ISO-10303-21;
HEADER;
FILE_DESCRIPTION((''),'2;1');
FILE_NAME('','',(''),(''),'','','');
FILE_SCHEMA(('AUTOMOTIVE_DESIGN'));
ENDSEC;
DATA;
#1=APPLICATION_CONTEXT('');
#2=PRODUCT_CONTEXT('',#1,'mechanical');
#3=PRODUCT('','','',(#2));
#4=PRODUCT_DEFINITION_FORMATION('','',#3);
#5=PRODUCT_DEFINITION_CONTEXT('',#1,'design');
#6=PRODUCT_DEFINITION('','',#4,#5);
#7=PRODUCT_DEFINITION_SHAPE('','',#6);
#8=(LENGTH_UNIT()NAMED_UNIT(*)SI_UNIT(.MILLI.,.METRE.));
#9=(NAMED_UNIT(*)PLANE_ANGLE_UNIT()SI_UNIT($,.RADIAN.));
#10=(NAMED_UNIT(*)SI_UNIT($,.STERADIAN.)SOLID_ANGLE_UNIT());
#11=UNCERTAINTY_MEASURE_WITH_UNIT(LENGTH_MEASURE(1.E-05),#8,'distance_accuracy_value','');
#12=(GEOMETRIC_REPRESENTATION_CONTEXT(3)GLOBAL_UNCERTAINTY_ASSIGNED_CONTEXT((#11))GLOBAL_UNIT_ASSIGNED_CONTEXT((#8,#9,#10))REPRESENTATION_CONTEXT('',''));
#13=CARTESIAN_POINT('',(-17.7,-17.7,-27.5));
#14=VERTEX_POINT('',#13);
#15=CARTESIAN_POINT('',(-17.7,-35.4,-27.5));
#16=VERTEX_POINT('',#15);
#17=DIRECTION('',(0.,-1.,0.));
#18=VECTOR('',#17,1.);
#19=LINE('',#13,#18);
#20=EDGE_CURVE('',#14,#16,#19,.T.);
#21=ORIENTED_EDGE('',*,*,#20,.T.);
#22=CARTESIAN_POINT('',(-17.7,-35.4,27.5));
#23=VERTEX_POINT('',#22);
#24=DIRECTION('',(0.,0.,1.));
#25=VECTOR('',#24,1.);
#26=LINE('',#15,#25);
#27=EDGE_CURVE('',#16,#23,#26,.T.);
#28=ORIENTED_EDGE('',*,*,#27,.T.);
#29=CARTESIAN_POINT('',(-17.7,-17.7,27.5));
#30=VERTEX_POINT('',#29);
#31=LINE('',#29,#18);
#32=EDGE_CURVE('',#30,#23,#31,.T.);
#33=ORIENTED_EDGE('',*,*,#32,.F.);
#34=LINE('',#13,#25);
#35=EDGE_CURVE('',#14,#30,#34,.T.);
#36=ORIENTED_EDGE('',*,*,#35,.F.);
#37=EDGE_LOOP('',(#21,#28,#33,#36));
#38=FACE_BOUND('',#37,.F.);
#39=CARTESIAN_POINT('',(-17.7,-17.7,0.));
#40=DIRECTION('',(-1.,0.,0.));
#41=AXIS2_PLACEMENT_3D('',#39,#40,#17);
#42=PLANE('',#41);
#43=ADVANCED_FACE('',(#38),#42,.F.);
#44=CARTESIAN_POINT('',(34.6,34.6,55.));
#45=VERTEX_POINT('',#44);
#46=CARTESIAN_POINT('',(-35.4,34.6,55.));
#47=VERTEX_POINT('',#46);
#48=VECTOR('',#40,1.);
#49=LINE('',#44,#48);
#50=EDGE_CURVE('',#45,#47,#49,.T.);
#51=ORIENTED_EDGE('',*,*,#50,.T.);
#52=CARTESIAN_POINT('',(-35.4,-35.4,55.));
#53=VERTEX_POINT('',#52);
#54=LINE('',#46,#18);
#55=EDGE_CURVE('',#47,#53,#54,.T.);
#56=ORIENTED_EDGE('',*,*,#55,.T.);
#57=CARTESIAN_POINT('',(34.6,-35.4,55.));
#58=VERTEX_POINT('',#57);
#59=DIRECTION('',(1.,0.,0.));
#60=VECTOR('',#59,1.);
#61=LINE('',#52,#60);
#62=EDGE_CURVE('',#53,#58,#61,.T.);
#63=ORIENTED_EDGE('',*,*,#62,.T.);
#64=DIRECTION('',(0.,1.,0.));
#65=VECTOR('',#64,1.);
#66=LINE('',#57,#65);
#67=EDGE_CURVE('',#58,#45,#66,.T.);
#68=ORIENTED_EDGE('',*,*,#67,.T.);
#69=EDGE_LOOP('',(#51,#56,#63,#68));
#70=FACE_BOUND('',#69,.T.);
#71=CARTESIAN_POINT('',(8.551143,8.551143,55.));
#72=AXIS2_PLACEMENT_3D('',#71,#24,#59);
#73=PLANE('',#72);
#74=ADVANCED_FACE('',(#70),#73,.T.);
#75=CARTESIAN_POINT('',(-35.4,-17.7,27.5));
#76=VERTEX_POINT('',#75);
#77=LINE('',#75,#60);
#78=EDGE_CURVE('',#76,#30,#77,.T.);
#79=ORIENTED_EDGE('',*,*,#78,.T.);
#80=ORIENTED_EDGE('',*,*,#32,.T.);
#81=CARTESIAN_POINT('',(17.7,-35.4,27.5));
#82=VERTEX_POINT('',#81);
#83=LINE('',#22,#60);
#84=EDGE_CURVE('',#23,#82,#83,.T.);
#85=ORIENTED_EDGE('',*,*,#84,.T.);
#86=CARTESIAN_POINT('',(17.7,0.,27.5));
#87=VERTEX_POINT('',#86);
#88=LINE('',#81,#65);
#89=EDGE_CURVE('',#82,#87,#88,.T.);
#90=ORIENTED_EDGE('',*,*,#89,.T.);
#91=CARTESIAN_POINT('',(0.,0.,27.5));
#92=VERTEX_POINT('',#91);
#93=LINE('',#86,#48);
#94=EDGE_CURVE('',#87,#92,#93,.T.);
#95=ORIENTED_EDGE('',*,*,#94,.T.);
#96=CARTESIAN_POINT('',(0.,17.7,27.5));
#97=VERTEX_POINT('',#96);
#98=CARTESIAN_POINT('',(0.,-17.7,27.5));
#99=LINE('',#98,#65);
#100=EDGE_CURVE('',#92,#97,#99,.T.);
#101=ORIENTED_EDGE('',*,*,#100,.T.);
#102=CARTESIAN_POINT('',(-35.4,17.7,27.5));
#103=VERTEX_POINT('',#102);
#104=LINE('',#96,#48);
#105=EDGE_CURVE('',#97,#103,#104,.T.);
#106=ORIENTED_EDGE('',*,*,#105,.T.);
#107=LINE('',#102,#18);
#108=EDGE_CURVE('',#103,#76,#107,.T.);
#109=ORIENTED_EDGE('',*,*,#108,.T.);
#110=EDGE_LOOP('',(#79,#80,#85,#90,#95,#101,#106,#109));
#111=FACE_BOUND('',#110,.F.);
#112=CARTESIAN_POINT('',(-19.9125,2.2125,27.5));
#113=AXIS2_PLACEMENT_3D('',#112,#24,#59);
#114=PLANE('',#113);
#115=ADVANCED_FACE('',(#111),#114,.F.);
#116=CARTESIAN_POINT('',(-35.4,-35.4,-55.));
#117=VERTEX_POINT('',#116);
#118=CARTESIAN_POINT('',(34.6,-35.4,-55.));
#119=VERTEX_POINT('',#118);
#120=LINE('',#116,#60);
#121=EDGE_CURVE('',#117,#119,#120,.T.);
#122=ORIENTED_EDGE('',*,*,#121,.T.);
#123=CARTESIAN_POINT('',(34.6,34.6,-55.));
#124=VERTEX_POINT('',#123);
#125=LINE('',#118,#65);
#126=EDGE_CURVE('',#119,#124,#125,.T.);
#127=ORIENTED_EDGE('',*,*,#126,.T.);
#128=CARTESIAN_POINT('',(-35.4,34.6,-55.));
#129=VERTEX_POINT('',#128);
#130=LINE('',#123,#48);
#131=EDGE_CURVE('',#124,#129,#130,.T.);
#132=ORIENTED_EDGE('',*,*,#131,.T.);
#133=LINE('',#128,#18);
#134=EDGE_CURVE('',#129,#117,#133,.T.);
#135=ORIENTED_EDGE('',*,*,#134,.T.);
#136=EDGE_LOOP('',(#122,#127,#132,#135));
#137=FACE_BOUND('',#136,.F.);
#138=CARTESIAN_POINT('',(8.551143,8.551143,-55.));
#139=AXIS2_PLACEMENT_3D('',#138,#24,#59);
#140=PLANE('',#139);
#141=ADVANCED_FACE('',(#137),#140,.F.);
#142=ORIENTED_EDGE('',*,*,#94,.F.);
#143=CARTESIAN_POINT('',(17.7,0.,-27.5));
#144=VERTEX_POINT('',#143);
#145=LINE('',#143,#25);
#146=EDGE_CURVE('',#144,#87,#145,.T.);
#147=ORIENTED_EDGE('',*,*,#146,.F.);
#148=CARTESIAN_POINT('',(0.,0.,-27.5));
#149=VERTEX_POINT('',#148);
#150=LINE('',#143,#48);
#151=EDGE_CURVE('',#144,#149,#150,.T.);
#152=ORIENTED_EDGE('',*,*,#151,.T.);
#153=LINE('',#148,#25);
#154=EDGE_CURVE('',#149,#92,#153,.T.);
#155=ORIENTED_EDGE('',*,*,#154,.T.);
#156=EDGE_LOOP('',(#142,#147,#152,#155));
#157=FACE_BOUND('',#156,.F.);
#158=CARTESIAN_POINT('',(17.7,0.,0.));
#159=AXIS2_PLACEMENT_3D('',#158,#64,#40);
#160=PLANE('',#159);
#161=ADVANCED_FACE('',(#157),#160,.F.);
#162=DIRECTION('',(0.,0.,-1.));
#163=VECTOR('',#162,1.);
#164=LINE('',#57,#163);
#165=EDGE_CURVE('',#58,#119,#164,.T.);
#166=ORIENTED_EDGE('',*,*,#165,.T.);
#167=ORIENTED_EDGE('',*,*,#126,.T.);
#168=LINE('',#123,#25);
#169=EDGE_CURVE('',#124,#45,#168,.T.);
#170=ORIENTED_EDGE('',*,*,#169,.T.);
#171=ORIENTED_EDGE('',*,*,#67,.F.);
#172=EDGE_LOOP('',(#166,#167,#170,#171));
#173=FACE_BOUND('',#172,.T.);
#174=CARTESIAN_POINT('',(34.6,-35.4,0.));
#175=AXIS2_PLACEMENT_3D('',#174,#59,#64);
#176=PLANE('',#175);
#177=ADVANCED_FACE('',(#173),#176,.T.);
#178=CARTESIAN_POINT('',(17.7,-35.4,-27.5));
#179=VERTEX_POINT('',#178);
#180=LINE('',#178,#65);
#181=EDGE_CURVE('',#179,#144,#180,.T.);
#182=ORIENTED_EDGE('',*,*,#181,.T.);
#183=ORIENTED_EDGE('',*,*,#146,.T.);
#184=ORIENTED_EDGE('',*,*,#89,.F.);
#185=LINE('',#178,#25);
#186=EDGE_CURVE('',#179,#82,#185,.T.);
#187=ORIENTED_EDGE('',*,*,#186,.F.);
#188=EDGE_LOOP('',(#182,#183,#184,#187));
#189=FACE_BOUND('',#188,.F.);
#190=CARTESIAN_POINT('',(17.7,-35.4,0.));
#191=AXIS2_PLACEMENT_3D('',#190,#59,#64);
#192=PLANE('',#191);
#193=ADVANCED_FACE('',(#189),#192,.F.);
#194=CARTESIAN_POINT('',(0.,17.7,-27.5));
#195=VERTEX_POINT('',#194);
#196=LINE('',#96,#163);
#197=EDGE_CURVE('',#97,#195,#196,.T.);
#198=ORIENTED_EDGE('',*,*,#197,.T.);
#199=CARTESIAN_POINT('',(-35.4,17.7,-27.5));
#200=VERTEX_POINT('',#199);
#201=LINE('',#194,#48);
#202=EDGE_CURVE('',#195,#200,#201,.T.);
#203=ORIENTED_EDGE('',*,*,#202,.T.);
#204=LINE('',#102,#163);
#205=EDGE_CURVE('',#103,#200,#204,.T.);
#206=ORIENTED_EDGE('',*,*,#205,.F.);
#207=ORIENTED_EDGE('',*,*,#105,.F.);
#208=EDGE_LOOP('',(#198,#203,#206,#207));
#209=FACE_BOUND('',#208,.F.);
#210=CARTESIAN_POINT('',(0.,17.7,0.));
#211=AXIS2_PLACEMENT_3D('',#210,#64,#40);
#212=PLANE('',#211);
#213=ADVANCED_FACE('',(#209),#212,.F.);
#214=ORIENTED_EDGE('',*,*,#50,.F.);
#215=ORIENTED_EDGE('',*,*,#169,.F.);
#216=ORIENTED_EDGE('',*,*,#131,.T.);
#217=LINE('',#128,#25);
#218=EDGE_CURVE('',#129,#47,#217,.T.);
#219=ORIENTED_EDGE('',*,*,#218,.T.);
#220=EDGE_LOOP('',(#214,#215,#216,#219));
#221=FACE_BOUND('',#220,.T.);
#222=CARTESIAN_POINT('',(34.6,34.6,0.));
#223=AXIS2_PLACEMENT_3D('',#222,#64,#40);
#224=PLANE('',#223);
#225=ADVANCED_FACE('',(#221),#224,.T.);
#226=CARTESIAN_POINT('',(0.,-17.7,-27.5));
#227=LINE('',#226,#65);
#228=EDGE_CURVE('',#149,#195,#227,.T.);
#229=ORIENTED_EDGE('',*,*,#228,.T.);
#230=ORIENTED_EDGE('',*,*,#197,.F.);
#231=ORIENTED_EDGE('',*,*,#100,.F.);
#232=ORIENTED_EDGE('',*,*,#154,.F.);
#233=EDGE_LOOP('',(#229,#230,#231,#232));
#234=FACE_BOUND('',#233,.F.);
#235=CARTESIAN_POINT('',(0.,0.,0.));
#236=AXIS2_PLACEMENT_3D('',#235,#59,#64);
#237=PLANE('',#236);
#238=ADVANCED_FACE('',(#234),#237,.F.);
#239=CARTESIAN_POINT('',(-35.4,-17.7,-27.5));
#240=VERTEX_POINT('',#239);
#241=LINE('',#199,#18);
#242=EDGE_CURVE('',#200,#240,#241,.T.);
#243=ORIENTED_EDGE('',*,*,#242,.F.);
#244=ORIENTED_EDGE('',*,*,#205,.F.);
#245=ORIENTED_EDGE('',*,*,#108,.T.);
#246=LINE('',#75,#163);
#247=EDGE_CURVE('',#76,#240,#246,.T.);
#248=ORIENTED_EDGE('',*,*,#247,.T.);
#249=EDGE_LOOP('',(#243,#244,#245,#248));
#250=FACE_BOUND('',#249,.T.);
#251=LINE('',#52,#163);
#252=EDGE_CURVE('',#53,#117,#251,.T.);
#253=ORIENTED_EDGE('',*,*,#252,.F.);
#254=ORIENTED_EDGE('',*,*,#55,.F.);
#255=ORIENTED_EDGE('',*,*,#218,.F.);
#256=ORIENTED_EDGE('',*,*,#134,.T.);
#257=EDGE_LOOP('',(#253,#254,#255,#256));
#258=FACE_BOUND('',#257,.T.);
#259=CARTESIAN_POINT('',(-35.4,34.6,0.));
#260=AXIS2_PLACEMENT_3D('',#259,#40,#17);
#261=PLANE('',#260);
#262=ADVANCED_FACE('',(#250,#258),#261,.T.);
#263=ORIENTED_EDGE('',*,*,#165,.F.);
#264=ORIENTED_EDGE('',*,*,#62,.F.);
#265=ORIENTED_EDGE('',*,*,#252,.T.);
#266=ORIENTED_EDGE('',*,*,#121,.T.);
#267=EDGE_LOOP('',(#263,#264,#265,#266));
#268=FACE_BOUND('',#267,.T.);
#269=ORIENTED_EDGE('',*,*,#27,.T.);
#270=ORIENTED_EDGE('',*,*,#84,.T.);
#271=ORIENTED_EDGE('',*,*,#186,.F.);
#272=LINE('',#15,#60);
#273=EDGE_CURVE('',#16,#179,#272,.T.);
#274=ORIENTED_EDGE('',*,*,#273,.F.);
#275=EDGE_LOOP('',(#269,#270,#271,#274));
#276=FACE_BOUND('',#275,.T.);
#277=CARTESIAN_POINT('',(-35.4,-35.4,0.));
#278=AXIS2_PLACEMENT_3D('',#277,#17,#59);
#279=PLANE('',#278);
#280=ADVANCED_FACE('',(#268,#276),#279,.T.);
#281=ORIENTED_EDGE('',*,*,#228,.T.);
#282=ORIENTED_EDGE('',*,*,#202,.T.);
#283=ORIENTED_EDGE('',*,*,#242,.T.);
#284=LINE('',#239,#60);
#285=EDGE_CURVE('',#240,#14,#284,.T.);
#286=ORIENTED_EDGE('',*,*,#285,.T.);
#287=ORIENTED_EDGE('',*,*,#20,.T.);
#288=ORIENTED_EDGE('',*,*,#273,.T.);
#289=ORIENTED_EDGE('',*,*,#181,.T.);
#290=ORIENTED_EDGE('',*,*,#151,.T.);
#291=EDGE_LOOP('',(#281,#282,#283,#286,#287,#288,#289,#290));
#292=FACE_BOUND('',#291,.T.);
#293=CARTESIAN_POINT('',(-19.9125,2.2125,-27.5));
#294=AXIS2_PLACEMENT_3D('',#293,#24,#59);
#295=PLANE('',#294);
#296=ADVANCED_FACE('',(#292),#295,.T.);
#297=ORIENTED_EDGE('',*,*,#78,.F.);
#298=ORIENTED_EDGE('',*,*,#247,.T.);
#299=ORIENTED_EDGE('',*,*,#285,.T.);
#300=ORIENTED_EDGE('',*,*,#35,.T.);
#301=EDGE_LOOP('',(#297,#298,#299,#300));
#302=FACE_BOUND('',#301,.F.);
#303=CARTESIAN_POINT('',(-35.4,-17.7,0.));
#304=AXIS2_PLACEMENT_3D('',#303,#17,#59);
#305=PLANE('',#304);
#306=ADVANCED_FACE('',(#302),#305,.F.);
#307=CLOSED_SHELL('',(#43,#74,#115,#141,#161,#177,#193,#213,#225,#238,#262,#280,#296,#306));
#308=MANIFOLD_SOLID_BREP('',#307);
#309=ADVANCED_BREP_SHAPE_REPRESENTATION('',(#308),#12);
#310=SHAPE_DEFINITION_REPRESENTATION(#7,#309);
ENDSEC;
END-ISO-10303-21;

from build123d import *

# Parameters (mm, degrees)
F0_W     = 17.7
F0_H     = 17.7
F1_DEPTH = 55
F2_DEPTH = 27.5


with BuildPart() as f1:
    # F0 (on Top) → F1 (new body, symmetric)
    with BuildSketch(Plane.XY):
        Polygon((0, 17.7), (0, 0), (17.7, 0), (17.7, -35.4), (34.6, -35.4), (34.6, 34.6), (-35.4, 34.6), (-35.4, 17.7), align=None)
        Polygon((-35.4, -17.7), (-17.7, -17.7), (-17.7, 0), (0, 0), (0, 17.7), (-35.4, 17.7), align=None)
        with Locations((-8.85, -8.85)):
            Rectangle(F0_W, F0_H)
        Polygon((0, 0), (0, -17.7), (-17.7, -17.7), (-17.7, -35.4), (17.7, -35.4), (17.7, 0), align=None)
        with Locations((-26.55, -26.55)):
            Rectangle(F0_W, F0_H)
    extrude(amount=F1_DEPTH, both=True)

    # F0 (on Top) → F2 (cut, symmetric)
    with BuildSketch(Plane.XY):
        Polygon((-35.4, -17.7), (-17.7, -17.7), (-17.7, 0), (0, 0), (0, 17.7), (-35.4, 17.7), align=None)
        with Locations((-8.85, -8.85)):
            Rectangle(F0_W, F0_H)
        Polygon((0, 0), (0, -17.7), (-17.7, -17.7), (-17.7, -35.4), (17.7, -35.4), (17.7, 0), align=None)
    extrude(amount=F2_DEPTH, both=True, mode=Mode.SUBTRACT)


solid = f1.part
